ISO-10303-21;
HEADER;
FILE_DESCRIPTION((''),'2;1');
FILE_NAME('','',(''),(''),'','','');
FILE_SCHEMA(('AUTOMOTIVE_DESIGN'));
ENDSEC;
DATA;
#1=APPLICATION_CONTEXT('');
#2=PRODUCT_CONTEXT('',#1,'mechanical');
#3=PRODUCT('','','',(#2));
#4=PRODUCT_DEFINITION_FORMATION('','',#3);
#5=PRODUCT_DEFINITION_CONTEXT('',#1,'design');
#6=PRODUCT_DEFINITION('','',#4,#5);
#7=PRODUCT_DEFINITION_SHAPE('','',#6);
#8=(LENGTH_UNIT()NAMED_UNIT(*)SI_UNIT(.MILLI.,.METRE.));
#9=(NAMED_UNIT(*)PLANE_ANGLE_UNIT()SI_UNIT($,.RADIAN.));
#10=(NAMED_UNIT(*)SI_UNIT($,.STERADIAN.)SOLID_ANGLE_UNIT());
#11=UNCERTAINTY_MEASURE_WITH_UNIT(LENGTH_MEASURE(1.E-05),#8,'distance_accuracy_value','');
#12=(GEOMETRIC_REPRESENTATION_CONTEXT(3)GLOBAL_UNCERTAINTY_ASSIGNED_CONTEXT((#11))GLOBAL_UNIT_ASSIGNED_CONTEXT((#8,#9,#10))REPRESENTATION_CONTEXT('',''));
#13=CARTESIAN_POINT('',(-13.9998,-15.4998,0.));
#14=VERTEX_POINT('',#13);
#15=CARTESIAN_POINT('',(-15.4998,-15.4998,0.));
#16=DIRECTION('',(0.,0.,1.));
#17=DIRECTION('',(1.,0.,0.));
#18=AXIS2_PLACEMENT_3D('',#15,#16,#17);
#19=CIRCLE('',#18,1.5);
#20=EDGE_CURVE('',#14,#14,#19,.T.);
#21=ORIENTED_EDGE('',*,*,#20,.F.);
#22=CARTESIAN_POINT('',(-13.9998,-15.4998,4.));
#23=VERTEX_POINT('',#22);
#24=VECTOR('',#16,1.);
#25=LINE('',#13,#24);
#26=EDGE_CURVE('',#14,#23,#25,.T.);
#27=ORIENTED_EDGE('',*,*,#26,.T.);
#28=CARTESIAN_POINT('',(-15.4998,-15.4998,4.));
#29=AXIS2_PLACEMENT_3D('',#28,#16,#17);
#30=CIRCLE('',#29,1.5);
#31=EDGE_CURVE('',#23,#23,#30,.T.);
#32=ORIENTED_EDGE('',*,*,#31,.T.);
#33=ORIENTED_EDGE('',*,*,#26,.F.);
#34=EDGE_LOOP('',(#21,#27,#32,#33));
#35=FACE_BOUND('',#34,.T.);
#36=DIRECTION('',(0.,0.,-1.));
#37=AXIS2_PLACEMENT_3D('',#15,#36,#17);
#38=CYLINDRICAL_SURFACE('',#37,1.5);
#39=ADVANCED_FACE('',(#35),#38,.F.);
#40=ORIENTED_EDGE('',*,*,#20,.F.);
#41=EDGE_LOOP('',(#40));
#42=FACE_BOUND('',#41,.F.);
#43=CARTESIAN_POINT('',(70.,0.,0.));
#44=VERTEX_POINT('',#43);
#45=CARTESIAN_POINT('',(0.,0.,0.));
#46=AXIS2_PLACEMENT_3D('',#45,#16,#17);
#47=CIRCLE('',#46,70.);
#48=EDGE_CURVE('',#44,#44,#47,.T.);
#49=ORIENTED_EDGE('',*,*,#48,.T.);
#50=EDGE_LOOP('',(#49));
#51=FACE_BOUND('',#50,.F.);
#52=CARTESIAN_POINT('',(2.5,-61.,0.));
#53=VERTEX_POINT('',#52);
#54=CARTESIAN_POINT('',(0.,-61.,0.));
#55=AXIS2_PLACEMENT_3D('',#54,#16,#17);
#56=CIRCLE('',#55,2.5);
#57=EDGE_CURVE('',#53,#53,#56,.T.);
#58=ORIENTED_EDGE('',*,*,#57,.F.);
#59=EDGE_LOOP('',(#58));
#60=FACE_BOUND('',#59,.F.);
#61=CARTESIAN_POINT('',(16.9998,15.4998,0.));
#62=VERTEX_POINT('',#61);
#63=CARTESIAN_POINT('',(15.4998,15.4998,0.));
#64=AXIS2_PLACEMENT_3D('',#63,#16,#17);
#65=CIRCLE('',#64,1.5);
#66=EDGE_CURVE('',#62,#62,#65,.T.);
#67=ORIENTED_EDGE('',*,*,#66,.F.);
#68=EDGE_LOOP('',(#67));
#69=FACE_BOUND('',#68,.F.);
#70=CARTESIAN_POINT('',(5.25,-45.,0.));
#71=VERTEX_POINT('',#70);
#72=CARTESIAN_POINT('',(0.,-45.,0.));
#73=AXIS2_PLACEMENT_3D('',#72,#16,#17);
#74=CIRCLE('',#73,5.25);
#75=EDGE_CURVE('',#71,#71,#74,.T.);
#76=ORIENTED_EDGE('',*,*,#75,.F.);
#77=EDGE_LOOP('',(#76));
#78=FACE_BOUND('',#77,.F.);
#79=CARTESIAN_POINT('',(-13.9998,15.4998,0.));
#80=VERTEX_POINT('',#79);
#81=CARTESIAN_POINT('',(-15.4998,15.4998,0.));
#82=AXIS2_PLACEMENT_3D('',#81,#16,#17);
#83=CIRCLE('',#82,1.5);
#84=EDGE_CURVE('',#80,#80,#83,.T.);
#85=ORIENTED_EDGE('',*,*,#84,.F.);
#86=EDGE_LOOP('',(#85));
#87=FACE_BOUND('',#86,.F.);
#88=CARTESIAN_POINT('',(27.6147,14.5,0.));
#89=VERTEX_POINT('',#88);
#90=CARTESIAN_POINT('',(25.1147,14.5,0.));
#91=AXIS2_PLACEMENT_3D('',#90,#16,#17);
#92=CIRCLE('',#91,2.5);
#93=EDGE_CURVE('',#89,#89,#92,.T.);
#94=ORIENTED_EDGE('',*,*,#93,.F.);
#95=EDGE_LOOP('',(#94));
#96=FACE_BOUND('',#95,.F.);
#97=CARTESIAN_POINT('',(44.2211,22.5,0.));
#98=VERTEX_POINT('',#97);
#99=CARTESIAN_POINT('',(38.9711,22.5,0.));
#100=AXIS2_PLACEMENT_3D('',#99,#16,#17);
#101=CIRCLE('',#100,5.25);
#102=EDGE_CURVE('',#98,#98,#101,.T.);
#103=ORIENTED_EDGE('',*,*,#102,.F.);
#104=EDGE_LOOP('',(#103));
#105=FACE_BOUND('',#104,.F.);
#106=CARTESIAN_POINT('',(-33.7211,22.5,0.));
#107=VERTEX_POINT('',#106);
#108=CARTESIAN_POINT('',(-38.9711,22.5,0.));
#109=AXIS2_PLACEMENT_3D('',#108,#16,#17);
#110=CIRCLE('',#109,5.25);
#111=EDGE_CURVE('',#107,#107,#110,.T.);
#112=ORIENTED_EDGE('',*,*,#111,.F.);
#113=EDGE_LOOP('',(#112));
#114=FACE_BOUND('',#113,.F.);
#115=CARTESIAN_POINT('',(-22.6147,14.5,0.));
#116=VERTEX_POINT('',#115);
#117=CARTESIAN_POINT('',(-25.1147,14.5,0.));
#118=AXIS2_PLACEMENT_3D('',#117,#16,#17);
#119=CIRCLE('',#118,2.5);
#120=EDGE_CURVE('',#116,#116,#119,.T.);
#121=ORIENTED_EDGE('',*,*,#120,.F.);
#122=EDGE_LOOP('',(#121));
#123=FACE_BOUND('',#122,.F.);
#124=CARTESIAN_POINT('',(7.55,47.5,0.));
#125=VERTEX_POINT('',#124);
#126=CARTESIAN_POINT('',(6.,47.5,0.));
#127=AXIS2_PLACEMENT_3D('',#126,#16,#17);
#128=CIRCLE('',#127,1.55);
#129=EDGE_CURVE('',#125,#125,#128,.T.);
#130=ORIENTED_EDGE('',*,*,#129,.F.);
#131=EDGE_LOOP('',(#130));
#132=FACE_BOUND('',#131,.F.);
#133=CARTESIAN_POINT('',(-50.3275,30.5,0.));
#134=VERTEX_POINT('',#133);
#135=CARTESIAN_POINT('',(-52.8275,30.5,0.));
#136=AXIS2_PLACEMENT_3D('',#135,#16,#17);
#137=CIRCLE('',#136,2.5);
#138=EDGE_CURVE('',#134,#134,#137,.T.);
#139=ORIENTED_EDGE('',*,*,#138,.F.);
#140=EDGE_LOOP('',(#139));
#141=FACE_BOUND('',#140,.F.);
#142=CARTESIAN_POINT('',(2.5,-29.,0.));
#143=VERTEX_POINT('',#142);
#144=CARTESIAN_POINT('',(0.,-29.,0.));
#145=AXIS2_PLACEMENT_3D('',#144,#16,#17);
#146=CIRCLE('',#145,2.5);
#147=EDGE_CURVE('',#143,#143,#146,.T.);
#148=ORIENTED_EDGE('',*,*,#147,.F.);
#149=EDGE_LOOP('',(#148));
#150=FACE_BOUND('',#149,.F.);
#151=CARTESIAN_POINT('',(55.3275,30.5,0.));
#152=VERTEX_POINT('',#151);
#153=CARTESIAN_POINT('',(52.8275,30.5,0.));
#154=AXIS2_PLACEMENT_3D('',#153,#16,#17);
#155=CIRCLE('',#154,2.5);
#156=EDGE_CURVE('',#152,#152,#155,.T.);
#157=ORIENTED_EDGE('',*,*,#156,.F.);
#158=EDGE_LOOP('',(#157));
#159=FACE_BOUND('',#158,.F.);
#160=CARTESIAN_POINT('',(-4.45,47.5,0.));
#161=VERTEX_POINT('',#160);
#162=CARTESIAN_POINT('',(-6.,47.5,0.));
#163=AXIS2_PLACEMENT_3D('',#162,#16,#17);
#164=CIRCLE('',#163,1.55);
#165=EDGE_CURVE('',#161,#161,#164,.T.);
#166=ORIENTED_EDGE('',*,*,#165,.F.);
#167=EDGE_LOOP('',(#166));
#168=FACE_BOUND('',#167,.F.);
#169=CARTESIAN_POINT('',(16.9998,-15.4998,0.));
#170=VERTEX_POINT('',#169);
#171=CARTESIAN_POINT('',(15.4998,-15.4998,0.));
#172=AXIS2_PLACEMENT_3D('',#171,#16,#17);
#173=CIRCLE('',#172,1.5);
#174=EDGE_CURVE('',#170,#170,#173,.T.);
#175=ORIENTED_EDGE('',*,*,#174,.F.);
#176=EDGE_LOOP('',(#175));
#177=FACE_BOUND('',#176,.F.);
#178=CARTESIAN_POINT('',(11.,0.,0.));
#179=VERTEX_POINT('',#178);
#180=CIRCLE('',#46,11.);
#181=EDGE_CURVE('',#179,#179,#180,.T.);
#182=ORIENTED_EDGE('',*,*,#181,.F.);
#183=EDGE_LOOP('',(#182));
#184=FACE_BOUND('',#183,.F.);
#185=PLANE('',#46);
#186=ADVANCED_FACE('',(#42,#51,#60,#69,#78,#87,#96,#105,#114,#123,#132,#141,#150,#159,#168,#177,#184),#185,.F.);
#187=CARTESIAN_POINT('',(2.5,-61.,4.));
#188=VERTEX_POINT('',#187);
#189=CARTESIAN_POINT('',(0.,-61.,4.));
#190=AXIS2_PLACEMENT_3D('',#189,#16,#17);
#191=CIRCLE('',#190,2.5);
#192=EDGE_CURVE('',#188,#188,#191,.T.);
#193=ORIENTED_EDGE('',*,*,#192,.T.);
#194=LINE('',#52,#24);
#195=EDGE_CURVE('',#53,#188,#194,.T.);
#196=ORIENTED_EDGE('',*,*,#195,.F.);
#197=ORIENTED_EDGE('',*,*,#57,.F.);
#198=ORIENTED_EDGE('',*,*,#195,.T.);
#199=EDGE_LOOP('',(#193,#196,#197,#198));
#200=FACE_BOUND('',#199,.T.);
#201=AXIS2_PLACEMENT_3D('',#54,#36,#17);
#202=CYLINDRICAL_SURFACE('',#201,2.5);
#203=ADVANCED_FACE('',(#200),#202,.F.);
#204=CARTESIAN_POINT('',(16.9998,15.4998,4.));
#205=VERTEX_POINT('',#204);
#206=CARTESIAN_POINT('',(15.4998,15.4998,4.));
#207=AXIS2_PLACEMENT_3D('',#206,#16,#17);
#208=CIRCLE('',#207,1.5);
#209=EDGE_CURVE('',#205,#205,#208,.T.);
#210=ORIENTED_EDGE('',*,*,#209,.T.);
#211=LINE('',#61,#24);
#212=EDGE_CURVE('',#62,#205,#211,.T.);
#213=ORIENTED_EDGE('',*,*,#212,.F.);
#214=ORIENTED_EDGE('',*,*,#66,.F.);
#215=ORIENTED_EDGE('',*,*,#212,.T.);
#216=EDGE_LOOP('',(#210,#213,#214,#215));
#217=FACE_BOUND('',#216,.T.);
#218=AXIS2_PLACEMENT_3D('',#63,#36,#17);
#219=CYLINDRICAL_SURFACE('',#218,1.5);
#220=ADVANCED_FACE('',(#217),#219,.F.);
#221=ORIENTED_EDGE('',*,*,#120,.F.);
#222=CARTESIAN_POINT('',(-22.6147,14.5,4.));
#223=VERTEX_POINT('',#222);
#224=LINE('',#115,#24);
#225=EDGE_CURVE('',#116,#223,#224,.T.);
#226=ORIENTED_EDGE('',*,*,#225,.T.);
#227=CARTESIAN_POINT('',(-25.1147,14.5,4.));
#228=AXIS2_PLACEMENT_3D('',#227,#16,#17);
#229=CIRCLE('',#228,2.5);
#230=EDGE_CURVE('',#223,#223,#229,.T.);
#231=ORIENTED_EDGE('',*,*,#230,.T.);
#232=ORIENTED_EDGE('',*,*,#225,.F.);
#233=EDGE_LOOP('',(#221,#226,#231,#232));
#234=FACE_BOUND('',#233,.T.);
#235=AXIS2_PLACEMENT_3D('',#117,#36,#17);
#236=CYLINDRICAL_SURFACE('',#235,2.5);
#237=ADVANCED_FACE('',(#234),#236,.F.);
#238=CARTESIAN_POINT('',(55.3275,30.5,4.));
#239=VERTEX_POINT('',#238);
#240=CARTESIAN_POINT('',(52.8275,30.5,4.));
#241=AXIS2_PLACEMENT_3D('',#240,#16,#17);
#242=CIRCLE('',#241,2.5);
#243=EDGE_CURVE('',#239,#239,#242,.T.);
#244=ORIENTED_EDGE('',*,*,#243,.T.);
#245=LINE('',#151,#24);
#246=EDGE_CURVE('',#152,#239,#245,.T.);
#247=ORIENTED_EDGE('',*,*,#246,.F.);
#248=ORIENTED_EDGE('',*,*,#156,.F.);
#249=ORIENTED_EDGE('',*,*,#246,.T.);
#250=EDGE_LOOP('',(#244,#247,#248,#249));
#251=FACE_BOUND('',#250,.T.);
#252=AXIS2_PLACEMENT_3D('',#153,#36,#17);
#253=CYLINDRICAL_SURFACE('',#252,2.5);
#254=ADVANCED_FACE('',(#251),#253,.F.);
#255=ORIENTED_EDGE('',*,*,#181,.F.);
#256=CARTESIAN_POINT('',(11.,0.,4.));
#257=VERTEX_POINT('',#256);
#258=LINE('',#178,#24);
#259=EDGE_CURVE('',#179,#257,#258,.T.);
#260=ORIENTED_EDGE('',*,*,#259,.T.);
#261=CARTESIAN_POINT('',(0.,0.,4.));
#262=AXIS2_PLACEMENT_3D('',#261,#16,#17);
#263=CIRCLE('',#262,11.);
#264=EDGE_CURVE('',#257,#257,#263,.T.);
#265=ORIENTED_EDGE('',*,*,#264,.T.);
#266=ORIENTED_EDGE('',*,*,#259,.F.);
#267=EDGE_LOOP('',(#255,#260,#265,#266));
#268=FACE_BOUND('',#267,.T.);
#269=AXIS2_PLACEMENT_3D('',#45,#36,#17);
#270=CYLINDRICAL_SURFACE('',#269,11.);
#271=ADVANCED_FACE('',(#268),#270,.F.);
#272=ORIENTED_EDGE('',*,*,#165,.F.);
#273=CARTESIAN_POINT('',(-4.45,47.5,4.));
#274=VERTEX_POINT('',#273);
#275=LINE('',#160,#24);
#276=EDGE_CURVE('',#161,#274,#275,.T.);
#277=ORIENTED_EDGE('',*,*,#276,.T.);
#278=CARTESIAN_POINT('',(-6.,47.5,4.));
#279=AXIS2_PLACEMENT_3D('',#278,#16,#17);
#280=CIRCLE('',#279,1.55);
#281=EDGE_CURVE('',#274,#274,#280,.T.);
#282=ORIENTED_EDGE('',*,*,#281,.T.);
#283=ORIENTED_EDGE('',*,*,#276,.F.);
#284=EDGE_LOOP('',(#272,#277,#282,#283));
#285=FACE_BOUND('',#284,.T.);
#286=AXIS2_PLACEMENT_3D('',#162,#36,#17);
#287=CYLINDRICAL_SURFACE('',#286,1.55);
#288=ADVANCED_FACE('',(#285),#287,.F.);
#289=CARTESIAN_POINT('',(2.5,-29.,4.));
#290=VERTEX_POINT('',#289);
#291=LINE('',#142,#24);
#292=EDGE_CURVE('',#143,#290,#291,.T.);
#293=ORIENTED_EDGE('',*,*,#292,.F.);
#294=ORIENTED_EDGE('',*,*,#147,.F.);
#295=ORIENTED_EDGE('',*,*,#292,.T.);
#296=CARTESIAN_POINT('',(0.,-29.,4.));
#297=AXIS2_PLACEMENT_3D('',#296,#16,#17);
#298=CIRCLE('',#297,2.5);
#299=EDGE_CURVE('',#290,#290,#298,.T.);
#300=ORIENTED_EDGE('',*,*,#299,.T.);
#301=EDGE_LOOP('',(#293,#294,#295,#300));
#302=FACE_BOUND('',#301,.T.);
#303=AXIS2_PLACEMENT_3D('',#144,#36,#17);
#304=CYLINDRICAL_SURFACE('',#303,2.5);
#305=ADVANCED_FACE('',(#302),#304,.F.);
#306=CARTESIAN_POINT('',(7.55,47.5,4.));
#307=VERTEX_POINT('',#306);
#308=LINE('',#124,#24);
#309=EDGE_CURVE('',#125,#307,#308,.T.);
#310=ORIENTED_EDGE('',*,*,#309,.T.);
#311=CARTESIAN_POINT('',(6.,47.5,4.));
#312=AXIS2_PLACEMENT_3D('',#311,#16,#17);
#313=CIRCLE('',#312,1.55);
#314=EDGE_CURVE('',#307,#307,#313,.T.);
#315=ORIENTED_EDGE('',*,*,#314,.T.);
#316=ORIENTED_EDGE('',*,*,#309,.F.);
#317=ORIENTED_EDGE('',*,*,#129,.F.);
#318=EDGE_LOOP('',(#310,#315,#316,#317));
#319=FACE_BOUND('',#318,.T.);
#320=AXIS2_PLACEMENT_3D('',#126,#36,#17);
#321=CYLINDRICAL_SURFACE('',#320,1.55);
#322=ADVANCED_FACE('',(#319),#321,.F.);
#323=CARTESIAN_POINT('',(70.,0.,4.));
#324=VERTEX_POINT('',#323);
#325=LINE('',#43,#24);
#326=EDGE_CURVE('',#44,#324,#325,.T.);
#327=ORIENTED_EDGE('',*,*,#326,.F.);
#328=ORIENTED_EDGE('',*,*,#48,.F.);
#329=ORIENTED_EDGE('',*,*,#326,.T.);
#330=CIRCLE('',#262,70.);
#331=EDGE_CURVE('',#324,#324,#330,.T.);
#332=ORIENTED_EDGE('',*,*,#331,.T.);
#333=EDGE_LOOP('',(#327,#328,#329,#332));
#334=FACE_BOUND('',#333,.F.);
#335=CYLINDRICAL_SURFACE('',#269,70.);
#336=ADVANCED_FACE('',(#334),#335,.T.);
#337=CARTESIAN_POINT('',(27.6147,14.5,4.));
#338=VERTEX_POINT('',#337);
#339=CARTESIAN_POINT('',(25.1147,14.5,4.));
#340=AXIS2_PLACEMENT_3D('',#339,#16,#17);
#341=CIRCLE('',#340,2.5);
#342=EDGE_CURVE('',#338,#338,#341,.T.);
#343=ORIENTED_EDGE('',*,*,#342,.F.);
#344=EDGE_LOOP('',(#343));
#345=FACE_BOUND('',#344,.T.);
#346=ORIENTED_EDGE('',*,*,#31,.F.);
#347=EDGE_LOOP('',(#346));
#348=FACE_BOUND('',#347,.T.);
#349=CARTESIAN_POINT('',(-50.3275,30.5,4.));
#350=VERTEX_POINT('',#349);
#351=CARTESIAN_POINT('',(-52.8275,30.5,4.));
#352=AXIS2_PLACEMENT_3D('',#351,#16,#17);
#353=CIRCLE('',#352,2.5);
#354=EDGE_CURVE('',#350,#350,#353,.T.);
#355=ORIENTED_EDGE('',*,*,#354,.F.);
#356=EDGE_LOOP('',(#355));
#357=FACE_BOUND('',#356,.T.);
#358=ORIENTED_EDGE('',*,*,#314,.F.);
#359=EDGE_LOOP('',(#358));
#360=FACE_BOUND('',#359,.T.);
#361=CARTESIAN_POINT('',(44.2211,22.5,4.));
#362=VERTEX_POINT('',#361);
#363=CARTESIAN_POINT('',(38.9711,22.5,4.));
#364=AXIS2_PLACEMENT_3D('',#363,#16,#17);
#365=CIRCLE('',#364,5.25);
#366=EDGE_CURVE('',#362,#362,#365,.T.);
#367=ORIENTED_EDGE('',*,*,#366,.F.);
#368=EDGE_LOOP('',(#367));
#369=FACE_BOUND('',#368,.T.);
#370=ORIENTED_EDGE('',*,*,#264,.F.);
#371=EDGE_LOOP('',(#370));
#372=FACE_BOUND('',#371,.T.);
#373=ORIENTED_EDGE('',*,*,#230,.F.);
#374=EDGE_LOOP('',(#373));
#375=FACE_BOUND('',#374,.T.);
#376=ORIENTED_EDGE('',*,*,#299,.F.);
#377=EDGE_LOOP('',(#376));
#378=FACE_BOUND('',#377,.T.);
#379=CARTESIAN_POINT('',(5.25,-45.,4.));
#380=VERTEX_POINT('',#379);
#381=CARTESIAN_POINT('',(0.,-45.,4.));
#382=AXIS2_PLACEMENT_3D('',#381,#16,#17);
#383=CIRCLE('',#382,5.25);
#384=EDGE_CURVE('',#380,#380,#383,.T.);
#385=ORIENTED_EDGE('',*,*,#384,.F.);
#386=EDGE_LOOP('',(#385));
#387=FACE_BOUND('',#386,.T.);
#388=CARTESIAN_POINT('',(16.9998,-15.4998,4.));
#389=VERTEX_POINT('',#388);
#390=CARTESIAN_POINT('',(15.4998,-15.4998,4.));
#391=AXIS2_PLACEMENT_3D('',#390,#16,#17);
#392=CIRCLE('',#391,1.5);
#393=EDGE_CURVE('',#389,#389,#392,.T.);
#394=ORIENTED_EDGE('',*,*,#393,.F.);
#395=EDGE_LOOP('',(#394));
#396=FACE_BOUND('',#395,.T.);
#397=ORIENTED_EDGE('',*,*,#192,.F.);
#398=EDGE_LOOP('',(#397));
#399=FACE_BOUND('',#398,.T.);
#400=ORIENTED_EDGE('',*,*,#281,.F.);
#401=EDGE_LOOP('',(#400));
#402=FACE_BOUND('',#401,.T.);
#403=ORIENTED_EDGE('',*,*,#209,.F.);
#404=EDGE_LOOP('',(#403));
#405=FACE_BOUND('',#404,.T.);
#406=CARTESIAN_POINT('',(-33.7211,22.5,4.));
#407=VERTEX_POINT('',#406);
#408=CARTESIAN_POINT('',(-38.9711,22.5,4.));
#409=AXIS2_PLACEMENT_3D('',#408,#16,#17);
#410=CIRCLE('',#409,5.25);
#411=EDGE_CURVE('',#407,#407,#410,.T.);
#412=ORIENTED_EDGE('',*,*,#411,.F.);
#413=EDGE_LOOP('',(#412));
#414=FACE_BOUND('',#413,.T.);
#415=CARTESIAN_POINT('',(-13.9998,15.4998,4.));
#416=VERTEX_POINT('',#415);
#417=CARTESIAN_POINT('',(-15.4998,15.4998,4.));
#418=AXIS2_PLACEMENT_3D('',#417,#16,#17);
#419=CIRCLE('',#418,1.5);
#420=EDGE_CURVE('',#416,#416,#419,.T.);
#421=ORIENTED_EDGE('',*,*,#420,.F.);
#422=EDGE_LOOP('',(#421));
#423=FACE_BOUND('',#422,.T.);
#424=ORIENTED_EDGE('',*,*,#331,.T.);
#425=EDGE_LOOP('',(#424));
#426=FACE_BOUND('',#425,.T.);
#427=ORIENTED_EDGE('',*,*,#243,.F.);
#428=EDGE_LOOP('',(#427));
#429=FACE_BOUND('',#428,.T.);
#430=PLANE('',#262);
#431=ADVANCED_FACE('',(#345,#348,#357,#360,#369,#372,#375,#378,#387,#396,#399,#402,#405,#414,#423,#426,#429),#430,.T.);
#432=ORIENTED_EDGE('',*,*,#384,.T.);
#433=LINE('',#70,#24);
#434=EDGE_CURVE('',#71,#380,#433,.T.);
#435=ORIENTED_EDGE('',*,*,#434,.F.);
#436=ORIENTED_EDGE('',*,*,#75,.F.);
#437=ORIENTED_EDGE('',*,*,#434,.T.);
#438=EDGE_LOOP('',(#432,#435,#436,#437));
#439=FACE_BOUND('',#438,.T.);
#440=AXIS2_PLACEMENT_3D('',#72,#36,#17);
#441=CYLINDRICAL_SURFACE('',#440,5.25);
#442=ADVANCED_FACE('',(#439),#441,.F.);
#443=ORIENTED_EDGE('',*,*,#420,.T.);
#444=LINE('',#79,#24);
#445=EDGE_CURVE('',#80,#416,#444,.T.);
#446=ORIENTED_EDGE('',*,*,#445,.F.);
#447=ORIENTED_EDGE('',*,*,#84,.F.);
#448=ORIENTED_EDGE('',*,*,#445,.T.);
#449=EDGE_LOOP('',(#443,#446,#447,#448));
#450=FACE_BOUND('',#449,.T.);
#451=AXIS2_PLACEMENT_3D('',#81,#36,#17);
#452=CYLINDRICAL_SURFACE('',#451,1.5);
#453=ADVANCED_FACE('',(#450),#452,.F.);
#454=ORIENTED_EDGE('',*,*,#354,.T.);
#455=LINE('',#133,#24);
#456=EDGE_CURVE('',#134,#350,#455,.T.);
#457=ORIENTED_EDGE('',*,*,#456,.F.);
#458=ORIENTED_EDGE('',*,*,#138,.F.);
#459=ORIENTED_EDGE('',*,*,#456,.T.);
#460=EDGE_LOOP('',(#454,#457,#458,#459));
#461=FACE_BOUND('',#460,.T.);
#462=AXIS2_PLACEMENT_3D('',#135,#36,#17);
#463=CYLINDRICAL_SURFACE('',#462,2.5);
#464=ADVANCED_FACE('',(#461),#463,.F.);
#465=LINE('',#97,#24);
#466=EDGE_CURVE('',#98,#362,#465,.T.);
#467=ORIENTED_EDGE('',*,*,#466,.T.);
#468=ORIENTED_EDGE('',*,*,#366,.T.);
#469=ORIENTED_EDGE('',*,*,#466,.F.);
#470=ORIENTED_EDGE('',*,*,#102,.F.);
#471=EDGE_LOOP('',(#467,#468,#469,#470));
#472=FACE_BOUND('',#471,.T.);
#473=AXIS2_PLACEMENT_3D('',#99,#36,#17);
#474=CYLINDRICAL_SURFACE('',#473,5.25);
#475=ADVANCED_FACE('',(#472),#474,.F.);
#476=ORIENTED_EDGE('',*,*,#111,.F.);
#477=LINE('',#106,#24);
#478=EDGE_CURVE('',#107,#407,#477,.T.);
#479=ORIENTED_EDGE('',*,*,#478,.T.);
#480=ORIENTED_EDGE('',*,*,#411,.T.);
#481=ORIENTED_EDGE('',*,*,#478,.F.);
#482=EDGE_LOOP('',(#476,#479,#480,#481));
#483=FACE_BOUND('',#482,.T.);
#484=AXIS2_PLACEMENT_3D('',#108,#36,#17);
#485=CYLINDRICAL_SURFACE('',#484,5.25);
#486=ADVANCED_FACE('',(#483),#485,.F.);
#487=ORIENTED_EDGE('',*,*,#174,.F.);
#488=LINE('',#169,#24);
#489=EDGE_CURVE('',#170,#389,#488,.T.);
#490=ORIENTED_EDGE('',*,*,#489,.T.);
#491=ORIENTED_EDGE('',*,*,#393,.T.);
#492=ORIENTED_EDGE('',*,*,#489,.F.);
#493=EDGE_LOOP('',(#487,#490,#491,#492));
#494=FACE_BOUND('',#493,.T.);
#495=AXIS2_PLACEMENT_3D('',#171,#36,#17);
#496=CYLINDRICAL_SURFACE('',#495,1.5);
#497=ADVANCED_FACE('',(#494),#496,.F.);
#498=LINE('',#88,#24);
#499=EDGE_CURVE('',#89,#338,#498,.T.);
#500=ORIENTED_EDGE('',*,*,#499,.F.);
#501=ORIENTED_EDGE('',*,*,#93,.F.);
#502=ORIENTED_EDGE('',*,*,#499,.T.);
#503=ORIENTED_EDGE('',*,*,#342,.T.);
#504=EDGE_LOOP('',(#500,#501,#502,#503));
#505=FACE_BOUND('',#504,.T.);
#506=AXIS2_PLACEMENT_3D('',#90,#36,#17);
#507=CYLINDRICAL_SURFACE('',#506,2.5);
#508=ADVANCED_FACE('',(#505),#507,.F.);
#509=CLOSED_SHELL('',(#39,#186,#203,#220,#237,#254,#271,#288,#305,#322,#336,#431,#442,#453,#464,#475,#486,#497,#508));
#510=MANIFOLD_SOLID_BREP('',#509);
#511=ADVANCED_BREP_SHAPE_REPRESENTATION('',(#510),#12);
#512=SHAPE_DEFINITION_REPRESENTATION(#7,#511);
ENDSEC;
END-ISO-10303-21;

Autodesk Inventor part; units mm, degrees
ref_plane "YZ Plane" through (0, 0, 0) normal (1, 0, 0) x (0, 1, 0)
ref_plane "XZ Plane" through (0, 0, 0) normal (0, 1, 0) x (-1, 0, 0)
ref_plane "XY Plane" through (0, 0, 0) normal (0, 0, 1) x (1, 0, 0)
sketch "Sketch1" plane through (0, 0, 0) normal (0, 0, 1) x (1, 0, 0)
  circle A0 centre (0, 0) radius 70
  circle A1 centre (0, -45) radius 5.25
  circle A2 centre (0, 0) radius 11
  circle A3 centre (6, 47.5) radius 1.55
  circle A4 centre (-6, 47.5) radius 1.55
  circle A5 centre (15.4998, 15.4998) radius 1.5
  circle A6 centre (0, -29) radius 2.5
  circle A7 centre (0, -61) radius 2.5
  circle A8 centre (52.8275, 30.5) radius 2.5
  circle A9 centre (38.9711, 22.5) radius 5.25
  circle A10 centre (25.1147, 14.5) radius 2.5
  circle A11 centre (-52.8275, 30.5) radius 2.5
  circle A12 centre (-38.9711, 22.5) radius 5.25
  circle A13 centre (-25.1147, 14.5) radius 2.5
  circle A14 centre (0, 0) radius 21.92 construction
  circle A15 centre (-15.4998, 15.4998) radius 1.5
  circle A16 centre (-15.4998, -15.4998) radius 1.5
  circle A17 centre (15.4998, -15.4998) radius 1.5
  dimension "d53" = 43.84
  dimension "D_B" = 140
  dimension "Furos" = 10.5
  dimension "d11" = 22
  dimension "d24" = 3.1
  dimension "d25" = 3.1
  dimension "FN" = 3
  dimension "d31" = 5
  dimension "d32" = 5
  dimension "d34" = 16
  dimension "d35" = 16
  dimension "d39" = 47.5
  dimension "d40" = 45
  dimension "d50" = 360
  dimension "d56" = 360
  dimension "d58" = 15.4998
  dimension "d59" = 15.4998
  dimension "d60" = 12
  dimension "d61" = 6
extrude "Extrusion1" add sketch "Sketch1" along normal blind 4
properties part number "Topo"
